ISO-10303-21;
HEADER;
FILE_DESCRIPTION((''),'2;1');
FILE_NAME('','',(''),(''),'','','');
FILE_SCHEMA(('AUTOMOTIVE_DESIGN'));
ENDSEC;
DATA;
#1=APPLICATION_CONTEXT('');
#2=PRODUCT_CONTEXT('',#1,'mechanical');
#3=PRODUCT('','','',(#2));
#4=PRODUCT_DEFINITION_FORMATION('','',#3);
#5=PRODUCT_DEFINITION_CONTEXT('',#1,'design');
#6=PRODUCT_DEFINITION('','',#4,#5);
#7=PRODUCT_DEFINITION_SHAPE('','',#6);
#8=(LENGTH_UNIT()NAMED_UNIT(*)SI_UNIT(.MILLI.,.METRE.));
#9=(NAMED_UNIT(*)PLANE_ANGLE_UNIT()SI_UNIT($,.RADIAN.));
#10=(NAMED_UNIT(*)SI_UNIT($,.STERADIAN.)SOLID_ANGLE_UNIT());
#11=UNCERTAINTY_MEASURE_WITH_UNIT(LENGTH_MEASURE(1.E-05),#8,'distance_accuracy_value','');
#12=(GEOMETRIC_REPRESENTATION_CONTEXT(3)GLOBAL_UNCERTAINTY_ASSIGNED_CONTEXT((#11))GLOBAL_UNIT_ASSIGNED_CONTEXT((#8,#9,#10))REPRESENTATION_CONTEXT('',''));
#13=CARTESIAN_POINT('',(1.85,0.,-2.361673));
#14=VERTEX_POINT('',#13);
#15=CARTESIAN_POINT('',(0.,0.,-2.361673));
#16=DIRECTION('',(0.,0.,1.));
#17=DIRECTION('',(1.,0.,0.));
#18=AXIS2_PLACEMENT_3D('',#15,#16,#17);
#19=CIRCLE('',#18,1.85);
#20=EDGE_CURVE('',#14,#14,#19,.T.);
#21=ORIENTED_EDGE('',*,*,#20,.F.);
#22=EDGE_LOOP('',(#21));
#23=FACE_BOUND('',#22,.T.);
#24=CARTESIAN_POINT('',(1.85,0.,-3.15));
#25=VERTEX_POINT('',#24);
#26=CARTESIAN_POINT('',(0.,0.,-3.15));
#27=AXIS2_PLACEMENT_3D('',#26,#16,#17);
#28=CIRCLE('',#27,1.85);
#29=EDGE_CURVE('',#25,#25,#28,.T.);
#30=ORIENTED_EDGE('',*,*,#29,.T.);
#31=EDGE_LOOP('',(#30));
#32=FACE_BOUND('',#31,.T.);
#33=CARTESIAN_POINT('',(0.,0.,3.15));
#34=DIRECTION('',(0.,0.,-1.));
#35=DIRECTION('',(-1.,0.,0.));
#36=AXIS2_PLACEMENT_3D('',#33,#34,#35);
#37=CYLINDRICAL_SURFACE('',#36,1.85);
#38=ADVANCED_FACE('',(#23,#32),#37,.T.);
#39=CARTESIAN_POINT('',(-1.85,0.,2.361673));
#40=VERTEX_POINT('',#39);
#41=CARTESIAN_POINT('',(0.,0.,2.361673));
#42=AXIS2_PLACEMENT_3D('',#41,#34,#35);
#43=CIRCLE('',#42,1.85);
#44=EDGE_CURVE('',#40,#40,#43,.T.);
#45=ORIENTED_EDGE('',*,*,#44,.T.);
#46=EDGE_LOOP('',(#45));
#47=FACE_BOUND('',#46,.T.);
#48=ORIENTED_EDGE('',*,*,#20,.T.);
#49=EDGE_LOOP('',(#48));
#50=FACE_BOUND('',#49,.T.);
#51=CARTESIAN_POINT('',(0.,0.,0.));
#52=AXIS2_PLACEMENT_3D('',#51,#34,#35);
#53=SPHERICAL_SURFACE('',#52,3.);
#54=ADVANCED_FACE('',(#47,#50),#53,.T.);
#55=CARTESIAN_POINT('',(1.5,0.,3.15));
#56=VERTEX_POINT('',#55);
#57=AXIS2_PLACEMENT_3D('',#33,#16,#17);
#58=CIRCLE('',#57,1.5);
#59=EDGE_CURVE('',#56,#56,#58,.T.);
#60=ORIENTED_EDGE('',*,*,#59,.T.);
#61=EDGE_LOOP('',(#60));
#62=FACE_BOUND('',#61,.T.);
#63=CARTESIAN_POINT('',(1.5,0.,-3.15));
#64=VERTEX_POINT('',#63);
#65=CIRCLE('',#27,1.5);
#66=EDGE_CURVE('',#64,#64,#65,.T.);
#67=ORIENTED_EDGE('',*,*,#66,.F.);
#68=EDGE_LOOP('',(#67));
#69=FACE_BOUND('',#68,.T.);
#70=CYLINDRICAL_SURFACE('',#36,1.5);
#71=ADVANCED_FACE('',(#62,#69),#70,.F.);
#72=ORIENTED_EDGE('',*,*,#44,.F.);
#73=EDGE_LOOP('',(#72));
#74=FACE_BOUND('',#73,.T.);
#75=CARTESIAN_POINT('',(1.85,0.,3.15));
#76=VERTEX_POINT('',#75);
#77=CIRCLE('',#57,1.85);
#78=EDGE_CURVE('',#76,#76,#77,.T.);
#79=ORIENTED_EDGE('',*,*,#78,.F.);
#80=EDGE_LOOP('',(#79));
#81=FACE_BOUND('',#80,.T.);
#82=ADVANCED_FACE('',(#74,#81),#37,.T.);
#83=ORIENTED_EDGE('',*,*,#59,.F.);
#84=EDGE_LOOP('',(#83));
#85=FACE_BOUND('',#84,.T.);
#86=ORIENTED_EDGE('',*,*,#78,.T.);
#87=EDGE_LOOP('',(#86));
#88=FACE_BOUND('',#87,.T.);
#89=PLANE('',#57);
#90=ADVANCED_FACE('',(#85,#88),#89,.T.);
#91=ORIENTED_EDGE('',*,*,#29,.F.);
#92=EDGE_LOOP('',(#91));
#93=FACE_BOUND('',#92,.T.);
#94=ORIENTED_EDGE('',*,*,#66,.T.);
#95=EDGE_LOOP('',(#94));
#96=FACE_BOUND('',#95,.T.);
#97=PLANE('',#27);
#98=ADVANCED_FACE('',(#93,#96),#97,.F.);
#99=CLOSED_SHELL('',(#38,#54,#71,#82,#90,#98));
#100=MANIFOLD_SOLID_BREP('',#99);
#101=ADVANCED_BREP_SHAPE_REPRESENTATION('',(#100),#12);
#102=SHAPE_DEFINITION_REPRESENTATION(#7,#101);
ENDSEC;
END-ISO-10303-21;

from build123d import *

# Parameters (mm, degrees)
SKETCH_2_R          = 1.85
SKETCH_2_R_2        = 1.5
EXTRUDE_1_DEPTH     = 3.15
CUT_EXTRUDE_START   = -6.3
SKETCH_3_R          = 1.5
CUT_EXTRUDE_1_DEPTH = 6.3


with BuildPart() as part:
    # 草图1 → 旋转1 (revolve)
    with BuildSketch(Plane.XY):
        with BuildLine():
            Line((0, -3), (0, 3))
            ThreePointArc((0, 3), (3, 0), (0, -3))
        make_face()
    revolve(axis=Axis((0, -3, 0), (0, 1, 0)))

    # 草图2 → 凸台-拉伸1 (add, symmetric)
    with BuildSketch(Plane.XY):
        with Locations(Location((0, 0, 0), (0, 0, 180))):
            Circle(SKETCH_2_R)
        with Locations(Location((0, 0, 0), (0, 0, 180))):
            Circle(SKETCH_2_R_2, mode=Mode.SUBTRACT)
    extrude(amount=EXTRUDE_1_DEPTH, both=True)

    # 草图3 → 切除-拉伸1 (cut)
    with BuildSketch(Plane.XY.offset(3.15).offset(CUT_EXTRUDE_START)):
        Circle(SKETCH_3_R)
    extrude(amount=CUT_EXTRUDE_1_DEPTH, mode=Mode.SUBTRACT)


solid = part.part
